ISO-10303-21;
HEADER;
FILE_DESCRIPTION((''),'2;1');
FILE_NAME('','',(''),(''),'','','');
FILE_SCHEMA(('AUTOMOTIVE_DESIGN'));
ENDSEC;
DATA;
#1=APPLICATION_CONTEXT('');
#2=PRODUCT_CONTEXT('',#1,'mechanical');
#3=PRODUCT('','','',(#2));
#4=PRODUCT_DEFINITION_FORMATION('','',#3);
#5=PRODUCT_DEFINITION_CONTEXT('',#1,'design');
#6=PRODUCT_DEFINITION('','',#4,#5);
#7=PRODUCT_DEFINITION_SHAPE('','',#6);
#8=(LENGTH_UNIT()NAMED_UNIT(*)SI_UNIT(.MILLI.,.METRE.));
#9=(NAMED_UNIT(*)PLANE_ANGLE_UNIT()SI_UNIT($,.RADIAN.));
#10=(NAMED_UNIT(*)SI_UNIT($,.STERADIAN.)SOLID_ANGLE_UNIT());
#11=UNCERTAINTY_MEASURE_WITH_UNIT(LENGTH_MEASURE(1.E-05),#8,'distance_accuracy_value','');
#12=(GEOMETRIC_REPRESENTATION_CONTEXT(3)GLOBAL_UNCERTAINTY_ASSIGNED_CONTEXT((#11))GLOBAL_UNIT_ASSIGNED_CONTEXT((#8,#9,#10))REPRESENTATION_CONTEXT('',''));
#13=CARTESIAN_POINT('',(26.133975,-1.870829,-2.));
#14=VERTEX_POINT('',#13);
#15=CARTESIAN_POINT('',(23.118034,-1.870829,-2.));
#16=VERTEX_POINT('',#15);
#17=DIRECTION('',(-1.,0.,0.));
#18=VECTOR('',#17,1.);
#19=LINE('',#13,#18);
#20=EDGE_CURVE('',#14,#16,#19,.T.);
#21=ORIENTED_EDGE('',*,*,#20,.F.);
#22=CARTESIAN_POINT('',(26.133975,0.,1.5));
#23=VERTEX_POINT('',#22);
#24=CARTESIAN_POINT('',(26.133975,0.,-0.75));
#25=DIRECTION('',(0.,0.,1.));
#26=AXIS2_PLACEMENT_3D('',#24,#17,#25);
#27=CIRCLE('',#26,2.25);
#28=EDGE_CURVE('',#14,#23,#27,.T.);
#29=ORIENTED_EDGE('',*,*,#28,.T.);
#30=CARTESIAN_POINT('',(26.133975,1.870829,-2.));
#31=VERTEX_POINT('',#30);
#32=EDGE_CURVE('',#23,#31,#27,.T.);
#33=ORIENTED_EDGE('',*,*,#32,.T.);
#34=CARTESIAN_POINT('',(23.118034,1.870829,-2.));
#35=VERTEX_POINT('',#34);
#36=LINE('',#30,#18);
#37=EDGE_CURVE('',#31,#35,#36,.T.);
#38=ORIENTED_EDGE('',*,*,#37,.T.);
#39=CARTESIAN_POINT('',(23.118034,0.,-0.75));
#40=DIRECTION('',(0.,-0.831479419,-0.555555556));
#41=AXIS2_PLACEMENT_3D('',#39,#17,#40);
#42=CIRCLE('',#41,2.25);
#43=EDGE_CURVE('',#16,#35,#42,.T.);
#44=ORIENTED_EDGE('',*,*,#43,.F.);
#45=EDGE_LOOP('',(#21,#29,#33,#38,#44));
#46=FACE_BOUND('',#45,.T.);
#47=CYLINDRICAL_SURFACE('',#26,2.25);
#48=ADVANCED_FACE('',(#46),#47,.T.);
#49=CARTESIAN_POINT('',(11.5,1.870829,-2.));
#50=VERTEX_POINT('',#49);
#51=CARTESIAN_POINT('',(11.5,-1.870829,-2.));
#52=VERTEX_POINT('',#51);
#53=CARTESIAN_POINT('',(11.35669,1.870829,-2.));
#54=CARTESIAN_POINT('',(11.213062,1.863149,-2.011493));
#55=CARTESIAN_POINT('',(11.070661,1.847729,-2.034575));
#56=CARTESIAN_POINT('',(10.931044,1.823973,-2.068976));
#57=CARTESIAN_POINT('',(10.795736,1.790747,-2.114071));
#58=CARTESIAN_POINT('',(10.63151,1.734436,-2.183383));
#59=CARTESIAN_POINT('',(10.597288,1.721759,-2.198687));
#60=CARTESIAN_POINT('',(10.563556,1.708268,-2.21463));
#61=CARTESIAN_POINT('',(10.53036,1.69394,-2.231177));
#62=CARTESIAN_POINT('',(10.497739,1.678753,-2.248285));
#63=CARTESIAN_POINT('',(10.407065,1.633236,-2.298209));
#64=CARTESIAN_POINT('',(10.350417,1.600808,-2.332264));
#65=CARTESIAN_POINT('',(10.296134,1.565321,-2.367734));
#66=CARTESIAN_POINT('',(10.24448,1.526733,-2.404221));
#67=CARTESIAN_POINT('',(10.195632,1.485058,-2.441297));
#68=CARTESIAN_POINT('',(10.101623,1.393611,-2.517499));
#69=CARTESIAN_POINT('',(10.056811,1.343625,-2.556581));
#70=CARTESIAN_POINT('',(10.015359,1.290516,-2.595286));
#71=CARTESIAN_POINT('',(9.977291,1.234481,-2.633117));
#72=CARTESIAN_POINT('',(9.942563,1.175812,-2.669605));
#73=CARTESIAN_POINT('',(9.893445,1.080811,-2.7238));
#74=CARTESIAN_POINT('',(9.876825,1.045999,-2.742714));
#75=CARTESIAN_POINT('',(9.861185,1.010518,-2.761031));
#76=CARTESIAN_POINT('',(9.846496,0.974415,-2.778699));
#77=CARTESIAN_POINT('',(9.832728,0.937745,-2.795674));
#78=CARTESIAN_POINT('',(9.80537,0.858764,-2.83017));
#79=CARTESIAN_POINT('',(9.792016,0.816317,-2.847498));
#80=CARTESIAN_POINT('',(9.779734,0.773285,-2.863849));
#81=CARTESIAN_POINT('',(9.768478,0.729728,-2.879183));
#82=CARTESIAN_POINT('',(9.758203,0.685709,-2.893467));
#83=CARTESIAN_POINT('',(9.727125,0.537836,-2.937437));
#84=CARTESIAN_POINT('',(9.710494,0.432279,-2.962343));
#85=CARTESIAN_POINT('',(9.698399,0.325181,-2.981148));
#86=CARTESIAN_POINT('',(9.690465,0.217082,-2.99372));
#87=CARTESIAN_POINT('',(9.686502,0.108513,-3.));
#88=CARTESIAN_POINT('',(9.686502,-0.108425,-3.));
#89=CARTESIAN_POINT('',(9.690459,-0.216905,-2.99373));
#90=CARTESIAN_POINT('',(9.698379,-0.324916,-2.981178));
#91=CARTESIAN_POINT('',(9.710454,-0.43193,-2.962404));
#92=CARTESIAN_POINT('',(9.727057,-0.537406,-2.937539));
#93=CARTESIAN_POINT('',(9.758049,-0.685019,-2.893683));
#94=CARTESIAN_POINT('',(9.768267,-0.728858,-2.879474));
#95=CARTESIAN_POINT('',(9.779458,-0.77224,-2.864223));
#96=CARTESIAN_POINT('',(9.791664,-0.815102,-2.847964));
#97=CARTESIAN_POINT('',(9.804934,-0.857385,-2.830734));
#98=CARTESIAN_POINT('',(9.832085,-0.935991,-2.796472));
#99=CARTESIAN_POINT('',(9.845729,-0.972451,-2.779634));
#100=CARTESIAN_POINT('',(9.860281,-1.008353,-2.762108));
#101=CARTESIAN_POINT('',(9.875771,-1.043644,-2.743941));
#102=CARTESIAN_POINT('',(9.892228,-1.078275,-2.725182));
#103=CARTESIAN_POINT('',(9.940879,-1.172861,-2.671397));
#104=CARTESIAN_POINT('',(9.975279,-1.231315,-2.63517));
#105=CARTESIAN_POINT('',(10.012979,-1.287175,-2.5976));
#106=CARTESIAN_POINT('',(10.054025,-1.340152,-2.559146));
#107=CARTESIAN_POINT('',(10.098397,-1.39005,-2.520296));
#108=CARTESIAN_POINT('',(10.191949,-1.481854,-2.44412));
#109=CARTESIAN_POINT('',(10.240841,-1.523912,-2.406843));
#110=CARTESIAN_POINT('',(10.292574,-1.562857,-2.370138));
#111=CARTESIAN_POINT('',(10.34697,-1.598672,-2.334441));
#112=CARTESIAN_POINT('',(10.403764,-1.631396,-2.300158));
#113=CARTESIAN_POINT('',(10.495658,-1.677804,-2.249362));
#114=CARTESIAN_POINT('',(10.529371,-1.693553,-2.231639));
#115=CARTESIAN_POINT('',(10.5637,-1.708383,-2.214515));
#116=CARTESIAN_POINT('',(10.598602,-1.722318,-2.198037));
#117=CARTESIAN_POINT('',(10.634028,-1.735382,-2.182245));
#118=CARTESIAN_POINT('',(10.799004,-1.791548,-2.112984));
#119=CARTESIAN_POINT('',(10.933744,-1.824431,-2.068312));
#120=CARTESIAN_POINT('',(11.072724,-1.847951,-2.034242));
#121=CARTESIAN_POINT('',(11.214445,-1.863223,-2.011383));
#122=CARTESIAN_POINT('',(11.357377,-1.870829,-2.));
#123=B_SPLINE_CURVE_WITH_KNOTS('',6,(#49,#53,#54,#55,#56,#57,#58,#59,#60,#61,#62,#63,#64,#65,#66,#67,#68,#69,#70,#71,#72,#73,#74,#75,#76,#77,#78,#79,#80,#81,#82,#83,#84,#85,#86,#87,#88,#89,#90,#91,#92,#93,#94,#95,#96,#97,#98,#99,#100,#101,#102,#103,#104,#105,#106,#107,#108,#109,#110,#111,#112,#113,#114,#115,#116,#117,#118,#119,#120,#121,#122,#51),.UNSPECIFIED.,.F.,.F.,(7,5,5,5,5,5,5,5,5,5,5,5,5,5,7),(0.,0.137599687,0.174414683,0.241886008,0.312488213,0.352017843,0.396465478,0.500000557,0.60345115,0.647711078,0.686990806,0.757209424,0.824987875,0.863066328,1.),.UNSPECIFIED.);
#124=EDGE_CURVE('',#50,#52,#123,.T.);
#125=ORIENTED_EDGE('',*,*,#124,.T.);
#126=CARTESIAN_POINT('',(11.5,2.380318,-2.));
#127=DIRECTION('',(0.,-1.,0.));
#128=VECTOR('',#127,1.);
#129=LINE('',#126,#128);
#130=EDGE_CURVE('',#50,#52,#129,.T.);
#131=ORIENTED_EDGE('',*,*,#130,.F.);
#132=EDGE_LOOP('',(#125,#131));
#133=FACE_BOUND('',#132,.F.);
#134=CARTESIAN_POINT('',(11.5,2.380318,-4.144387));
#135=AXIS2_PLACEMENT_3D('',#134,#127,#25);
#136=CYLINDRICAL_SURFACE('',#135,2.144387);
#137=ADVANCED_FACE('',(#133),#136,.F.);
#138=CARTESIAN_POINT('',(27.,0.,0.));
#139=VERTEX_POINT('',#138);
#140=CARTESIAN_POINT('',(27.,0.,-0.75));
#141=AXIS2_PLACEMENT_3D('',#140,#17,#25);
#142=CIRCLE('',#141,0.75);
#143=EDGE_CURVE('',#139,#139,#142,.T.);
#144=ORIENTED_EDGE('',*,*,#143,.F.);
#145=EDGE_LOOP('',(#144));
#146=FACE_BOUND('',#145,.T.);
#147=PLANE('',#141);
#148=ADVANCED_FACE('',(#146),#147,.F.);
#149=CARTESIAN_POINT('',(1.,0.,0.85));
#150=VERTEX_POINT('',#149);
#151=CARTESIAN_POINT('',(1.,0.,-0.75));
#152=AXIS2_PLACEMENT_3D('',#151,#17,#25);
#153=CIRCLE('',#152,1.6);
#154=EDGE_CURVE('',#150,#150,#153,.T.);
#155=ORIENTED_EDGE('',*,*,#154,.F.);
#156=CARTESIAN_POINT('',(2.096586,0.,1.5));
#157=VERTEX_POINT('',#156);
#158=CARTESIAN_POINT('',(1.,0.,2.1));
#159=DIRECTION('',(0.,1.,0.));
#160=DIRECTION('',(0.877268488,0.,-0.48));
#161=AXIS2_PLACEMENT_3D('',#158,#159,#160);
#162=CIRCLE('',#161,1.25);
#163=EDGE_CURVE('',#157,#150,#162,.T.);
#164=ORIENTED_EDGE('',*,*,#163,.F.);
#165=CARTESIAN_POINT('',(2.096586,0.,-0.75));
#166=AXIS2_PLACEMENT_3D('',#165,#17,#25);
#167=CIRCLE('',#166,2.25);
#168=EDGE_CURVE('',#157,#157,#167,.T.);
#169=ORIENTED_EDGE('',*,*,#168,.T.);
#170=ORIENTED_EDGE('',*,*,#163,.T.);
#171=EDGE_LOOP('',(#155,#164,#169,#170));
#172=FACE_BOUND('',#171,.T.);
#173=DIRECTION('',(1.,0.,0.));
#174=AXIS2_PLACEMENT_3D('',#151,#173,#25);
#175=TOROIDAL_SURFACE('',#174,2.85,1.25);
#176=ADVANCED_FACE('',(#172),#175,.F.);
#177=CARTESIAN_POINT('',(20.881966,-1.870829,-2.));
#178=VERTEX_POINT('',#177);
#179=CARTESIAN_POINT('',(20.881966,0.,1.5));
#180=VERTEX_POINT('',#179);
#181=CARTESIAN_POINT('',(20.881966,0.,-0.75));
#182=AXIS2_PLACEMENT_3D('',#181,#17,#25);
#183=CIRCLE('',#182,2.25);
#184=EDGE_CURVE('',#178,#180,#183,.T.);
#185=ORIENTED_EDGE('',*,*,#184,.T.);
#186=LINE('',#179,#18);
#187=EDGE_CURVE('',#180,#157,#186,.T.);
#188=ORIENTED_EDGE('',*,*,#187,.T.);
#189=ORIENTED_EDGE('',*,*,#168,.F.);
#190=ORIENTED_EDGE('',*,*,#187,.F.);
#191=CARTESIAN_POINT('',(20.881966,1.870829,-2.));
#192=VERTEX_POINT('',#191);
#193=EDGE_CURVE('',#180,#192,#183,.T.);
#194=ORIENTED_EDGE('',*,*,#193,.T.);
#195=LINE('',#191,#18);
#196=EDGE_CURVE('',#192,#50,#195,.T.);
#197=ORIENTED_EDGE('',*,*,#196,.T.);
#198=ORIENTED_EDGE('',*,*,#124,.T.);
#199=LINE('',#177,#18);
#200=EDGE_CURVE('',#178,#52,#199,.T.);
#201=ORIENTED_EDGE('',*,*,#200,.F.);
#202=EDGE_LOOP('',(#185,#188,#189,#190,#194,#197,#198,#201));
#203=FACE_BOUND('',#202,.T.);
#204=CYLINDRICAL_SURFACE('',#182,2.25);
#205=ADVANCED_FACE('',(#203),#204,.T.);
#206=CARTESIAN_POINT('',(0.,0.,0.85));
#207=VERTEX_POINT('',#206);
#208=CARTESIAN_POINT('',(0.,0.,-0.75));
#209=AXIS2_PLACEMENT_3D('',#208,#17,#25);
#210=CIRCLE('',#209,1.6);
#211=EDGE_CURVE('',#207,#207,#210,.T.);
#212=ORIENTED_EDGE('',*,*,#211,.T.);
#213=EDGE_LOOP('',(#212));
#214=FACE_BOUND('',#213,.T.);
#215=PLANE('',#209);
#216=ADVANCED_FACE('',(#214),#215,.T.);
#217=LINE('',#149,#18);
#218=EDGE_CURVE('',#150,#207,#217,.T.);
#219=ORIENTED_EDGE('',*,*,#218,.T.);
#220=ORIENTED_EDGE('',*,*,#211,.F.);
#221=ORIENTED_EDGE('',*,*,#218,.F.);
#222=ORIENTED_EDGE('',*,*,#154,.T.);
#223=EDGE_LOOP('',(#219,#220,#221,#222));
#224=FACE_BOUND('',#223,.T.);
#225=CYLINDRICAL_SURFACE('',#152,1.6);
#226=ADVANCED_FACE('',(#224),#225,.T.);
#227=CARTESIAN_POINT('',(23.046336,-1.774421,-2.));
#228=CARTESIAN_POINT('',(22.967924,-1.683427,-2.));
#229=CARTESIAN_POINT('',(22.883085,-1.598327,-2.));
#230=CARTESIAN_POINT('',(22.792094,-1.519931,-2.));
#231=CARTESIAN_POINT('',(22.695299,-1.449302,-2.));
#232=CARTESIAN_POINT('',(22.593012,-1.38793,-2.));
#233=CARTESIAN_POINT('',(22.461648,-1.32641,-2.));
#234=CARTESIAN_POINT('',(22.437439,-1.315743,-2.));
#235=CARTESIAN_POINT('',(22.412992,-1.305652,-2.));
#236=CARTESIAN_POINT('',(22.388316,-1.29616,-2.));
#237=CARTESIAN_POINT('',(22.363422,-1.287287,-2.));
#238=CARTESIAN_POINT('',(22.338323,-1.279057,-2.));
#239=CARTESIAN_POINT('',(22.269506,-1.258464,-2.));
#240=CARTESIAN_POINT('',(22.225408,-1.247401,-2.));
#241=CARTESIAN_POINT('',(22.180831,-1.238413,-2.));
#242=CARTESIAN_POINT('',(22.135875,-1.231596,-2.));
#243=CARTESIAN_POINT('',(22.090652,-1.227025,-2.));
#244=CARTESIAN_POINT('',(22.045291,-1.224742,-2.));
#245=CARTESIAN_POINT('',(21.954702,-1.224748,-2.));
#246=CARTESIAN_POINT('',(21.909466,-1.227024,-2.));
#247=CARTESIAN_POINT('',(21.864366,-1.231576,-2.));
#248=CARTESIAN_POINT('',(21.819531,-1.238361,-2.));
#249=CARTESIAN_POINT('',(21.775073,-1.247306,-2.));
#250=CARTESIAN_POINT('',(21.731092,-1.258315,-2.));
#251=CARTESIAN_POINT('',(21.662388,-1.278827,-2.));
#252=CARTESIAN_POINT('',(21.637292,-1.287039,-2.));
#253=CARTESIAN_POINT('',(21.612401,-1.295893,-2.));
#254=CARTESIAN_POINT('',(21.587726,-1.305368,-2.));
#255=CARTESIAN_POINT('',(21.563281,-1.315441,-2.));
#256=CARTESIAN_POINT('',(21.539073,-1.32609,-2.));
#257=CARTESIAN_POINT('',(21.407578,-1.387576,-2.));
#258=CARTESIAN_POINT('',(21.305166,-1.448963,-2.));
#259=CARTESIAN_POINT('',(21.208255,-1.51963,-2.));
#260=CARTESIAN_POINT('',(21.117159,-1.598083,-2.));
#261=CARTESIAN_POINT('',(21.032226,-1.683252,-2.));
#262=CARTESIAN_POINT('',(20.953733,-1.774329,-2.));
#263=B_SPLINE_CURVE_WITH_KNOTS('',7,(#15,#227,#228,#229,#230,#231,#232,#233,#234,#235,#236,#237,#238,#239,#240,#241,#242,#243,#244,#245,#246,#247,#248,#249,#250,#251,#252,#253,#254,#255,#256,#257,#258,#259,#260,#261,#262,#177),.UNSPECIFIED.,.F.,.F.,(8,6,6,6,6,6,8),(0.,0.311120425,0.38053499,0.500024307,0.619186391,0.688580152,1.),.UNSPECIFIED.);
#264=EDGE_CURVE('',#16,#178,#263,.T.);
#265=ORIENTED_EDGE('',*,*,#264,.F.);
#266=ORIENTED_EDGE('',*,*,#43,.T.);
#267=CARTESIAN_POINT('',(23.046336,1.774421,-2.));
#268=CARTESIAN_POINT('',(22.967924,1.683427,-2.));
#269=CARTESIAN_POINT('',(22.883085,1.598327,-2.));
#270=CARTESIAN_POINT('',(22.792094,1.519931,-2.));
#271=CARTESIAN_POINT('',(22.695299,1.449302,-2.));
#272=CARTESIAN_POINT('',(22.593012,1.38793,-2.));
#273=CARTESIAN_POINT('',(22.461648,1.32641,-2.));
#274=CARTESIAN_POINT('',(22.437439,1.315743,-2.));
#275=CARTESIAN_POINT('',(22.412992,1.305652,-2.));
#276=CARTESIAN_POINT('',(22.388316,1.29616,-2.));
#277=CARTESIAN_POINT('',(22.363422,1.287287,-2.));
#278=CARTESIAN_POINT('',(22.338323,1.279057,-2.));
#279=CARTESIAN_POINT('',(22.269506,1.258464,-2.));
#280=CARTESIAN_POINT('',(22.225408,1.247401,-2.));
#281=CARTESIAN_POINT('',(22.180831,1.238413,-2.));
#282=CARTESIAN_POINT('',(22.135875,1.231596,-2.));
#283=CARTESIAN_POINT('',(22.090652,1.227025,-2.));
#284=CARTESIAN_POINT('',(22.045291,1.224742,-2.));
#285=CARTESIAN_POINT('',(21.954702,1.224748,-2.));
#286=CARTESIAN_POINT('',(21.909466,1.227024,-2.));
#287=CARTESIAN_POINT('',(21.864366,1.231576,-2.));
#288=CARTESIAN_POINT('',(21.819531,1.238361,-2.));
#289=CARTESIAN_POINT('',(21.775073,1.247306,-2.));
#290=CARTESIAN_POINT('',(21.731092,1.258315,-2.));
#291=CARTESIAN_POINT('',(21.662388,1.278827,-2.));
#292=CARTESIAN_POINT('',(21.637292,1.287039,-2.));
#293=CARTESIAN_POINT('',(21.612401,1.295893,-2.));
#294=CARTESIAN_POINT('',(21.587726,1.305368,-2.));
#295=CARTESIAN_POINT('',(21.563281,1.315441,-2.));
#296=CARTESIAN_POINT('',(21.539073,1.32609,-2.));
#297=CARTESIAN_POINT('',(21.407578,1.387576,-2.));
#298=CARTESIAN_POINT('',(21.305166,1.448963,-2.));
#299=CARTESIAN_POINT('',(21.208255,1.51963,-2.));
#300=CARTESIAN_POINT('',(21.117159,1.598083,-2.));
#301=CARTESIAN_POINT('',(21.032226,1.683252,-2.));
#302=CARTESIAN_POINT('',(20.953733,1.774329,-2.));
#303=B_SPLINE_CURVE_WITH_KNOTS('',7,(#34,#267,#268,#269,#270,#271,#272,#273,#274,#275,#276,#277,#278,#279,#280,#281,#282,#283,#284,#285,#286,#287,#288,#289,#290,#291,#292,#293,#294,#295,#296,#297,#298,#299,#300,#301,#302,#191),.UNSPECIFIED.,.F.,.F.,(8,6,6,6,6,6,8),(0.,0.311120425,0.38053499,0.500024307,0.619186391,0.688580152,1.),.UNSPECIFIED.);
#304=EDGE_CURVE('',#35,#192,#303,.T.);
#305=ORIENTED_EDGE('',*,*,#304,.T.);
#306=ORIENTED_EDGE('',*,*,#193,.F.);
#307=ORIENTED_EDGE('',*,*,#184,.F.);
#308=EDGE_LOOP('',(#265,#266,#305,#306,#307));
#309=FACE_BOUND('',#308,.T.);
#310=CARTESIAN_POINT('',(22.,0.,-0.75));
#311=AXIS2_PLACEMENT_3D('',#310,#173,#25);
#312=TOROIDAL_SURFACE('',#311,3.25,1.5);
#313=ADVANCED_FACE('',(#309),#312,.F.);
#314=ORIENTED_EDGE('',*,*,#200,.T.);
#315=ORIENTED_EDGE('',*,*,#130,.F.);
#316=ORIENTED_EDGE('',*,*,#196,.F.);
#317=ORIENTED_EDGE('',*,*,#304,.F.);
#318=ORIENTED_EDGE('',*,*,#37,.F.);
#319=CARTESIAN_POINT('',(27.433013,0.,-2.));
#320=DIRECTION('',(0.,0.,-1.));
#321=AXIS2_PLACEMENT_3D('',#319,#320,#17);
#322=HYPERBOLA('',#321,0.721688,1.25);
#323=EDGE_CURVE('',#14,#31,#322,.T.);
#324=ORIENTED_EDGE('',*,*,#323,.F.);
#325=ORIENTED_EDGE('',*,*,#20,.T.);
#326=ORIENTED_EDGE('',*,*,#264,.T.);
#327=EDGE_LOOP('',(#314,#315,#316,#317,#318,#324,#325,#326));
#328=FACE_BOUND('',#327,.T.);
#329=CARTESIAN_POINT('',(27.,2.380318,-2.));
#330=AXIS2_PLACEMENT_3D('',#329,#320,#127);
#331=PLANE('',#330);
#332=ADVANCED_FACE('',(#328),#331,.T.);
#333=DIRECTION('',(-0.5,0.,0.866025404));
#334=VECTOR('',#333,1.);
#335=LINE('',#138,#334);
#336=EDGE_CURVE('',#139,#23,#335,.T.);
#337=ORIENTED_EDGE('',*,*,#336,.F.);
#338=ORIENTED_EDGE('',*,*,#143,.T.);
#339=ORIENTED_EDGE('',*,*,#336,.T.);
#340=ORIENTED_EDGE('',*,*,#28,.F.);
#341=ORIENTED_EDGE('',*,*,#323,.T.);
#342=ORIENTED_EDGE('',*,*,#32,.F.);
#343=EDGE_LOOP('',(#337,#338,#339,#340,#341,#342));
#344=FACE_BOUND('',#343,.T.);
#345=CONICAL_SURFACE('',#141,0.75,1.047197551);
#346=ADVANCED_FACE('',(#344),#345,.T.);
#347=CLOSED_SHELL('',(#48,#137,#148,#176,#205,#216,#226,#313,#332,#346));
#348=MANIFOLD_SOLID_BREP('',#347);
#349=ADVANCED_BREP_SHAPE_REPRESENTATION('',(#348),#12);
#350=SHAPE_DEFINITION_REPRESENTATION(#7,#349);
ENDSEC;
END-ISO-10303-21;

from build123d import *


with BuildPart() as f1:
    # F0 (on Front) → F1 (revolve)
    with BuildSketch(Plane.XZ):
        with BuildLine():
            Line((1, 0.85), (0, 0.85))
            Line((0, 0.85), (0, -0.75))
            Line((0, -0.75), (27, -0.75))
            Line((27, -0.75), (27, 0))
            Line((27, 0), (26.1339745962, 1.5))
            Line((26.1339745962, 1.5), (23.1180339887, 1.5))
            ThreePointArc((23.1180339887, 1.5), (22, 1), (20.8819660113, 1.5))
            Line((20.8819660113, 1.5), (2.09658561, 1.5))
            ThreePointArc((2.09658561, 1.5), (1.6373774392, 1.0247093416), (1, 0.85))
        make_face()
    revolve(axis=Axis((13.5, 0, -0.75), (-1, 0, 0)))

    # F5: sweep along a path in F4
    with BuildLine(Plane.XZ) as f5_path:
        Line((27, -2), (11.5, -2))
        ThreePointArc((11.5, -2), (10.4339207347, -2.2837767539), (9.65, -3.06))
    # F3 (on offset) → F5 (sweep, cut)
    with BuildSketch(Plane.YZ.offset(27)):
        Polygon((2.380318353, -2), (0, -2), (-2.619681647, -2), (-2.619681647, -3), (2.380318353, -3), align=None)
    sweep(path=f5_path.line, mode=Mode.SUBTRACT)


solid = f1.part
